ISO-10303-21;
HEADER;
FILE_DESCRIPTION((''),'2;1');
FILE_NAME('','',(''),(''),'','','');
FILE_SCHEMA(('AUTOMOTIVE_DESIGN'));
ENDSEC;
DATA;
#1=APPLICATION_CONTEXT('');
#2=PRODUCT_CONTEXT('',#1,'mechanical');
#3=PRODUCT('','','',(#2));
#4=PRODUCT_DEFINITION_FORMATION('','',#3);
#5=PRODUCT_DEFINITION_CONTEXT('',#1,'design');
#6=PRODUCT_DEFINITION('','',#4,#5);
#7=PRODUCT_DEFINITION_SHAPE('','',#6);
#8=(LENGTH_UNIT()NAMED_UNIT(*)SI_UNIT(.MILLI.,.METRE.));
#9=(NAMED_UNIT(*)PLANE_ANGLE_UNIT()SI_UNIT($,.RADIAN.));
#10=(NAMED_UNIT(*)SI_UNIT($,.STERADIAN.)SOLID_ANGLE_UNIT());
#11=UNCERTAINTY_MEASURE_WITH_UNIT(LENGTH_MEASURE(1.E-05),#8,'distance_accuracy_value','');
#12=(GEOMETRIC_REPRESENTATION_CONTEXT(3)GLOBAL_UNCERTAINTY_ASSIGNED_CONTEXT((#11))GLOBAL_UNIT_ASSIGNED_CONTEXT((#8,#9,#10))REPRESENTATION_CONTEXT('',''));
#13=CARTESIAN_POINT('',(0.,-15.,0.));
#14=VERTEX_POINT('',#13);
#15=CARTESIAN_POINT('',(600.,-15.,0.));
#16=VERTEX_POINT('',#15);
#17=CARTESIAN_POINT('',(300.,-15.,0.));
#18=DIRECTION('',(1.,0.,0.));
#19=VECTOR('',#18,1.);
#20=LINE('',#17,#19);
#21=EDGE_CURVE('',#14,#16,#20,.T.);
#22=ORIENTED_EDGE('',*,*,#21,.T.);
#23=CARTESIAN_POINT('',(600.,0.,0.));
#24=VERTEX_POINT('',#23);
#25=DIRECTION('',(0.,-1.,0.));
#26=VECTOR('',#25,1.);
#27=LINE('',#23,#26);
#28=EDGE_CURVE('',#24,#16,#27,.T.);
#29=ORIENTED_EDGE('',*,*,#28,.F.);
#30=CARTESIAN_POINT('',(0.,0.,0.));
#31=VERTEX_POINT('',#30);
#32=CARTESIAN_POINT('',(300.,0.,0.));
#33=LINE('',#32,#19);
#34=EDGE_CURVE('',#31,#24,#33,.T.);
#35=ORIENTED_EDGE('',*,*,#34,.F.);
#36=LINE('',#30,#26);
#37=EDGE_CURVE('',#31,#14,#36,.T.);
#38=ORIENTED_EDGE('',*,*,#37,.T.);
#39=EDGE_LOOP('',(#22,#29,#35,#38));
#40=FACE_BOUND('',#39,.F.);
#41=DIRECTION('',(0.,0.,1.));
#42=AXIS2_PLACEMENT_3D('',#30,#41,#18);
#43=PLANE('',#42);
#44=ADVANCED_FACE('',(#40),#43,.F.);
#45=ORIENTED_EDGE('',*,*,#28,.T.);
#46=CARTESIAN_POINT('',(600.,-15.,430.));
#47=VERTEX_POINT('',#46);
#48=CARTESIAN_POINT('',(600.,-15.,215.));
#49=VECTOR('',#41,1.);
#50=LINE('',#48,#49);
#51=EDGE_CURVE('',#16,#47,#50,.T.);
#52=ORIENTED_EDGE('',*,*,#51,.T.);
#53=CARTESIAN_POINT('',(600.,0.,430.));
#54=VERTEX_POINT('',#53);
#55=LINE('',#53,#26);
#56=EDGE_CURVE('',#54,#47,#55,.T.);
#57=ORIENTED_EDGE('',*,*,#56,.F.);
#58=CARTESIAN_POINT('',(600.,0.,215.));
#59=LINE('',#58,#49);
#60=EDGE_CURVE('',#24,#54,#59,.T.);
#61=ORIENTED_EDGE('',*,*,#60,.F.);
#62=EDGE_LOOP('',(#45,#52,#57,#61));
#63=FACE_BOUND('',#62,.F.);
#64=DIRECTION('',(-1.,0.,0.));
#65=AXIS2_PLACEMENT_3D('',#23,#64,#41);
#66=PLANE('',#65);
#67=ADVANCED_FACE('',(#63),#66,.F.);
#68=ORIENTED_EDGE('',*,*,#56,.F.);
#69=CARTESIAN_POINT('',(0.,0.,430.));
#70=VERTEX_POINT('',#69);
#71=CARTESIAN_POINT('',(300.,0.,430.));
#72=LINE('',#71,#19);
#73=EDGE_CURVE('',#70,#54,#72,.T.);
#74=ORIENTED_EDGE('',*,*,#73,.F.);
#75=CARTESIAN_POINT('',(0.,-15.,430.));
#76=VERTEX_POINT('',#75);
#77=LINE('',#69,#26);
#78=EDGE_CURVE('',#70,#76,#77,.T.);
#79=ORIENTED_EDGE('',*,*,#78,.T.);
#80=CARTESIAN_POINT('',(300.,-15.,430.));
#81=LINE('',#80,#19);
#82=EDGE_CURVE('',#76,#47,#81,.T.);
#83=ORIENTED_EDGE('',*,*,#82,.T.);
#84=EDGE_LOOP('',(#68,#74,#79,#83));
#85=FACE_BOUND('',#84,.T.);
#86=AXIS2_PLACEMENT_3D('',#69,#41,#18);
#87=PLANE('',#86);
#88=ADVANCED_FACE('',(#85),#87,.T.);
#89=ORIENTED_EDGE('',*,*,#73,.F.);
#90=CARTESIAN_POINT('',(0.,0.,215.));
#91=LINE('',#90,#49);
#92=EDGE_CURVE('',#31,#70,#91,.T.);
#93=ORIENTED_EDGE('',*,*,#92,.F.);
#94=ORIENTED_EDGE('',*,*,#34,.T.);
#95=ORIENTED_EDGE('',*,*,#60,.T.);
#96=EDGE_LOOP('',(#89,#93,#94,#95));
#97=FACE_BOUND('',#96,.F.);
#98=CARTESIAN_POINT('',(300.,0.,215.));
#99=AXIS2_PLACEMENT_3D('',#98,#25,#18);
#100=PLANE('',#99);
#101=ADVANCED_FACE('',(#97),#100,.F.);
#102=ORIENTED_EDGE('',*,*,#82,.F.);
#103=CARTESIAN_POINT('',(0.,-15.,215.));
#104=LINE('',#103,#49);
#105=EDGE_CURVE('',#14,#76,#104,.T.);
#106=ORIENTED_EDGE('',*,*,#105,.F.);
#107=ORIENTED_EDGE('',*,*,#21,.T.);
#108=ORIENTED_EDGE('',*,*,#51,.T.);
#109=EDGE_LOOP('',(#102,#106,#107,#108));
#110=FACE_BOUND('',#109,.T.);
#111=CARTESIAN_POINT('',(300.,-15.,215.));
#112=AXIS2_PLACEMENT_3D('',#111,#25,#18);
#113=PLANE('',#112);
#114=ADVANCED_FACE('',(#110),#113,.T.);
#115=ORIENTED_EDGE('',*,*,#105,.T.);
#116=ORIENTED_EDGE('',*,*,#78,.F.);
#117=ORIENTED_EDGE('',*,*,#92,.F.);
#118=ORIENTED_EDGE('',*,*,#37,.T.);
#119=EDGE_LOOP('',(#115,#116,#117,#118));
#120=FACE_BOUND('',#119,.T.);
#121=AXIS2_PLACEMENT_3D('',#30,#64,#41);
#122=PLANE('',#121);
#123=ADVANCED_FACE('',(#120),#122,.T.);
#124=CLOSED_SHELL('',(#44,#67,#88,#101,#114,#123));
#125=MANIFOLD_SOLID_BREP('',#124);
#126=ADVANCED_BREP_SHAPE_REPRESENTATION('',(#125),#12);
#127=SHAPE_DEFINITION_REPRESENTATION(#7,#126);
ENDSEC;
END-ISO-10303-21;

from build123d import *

# Parameters (mm, degrees)
SKETCH_W  = 600
SKETCH_H  = 430
PAD_DEPTH = 15


with BuildPart() as part:
    # Sketch → Pad (new body)
    with BuildSketch(Plane.XZ):
        with Locations((300, 215)):
            Rectangle(SKETCH_W, SKETCH_H)
    extrude(amount=PAD_DEPTH)


solid = part.part
